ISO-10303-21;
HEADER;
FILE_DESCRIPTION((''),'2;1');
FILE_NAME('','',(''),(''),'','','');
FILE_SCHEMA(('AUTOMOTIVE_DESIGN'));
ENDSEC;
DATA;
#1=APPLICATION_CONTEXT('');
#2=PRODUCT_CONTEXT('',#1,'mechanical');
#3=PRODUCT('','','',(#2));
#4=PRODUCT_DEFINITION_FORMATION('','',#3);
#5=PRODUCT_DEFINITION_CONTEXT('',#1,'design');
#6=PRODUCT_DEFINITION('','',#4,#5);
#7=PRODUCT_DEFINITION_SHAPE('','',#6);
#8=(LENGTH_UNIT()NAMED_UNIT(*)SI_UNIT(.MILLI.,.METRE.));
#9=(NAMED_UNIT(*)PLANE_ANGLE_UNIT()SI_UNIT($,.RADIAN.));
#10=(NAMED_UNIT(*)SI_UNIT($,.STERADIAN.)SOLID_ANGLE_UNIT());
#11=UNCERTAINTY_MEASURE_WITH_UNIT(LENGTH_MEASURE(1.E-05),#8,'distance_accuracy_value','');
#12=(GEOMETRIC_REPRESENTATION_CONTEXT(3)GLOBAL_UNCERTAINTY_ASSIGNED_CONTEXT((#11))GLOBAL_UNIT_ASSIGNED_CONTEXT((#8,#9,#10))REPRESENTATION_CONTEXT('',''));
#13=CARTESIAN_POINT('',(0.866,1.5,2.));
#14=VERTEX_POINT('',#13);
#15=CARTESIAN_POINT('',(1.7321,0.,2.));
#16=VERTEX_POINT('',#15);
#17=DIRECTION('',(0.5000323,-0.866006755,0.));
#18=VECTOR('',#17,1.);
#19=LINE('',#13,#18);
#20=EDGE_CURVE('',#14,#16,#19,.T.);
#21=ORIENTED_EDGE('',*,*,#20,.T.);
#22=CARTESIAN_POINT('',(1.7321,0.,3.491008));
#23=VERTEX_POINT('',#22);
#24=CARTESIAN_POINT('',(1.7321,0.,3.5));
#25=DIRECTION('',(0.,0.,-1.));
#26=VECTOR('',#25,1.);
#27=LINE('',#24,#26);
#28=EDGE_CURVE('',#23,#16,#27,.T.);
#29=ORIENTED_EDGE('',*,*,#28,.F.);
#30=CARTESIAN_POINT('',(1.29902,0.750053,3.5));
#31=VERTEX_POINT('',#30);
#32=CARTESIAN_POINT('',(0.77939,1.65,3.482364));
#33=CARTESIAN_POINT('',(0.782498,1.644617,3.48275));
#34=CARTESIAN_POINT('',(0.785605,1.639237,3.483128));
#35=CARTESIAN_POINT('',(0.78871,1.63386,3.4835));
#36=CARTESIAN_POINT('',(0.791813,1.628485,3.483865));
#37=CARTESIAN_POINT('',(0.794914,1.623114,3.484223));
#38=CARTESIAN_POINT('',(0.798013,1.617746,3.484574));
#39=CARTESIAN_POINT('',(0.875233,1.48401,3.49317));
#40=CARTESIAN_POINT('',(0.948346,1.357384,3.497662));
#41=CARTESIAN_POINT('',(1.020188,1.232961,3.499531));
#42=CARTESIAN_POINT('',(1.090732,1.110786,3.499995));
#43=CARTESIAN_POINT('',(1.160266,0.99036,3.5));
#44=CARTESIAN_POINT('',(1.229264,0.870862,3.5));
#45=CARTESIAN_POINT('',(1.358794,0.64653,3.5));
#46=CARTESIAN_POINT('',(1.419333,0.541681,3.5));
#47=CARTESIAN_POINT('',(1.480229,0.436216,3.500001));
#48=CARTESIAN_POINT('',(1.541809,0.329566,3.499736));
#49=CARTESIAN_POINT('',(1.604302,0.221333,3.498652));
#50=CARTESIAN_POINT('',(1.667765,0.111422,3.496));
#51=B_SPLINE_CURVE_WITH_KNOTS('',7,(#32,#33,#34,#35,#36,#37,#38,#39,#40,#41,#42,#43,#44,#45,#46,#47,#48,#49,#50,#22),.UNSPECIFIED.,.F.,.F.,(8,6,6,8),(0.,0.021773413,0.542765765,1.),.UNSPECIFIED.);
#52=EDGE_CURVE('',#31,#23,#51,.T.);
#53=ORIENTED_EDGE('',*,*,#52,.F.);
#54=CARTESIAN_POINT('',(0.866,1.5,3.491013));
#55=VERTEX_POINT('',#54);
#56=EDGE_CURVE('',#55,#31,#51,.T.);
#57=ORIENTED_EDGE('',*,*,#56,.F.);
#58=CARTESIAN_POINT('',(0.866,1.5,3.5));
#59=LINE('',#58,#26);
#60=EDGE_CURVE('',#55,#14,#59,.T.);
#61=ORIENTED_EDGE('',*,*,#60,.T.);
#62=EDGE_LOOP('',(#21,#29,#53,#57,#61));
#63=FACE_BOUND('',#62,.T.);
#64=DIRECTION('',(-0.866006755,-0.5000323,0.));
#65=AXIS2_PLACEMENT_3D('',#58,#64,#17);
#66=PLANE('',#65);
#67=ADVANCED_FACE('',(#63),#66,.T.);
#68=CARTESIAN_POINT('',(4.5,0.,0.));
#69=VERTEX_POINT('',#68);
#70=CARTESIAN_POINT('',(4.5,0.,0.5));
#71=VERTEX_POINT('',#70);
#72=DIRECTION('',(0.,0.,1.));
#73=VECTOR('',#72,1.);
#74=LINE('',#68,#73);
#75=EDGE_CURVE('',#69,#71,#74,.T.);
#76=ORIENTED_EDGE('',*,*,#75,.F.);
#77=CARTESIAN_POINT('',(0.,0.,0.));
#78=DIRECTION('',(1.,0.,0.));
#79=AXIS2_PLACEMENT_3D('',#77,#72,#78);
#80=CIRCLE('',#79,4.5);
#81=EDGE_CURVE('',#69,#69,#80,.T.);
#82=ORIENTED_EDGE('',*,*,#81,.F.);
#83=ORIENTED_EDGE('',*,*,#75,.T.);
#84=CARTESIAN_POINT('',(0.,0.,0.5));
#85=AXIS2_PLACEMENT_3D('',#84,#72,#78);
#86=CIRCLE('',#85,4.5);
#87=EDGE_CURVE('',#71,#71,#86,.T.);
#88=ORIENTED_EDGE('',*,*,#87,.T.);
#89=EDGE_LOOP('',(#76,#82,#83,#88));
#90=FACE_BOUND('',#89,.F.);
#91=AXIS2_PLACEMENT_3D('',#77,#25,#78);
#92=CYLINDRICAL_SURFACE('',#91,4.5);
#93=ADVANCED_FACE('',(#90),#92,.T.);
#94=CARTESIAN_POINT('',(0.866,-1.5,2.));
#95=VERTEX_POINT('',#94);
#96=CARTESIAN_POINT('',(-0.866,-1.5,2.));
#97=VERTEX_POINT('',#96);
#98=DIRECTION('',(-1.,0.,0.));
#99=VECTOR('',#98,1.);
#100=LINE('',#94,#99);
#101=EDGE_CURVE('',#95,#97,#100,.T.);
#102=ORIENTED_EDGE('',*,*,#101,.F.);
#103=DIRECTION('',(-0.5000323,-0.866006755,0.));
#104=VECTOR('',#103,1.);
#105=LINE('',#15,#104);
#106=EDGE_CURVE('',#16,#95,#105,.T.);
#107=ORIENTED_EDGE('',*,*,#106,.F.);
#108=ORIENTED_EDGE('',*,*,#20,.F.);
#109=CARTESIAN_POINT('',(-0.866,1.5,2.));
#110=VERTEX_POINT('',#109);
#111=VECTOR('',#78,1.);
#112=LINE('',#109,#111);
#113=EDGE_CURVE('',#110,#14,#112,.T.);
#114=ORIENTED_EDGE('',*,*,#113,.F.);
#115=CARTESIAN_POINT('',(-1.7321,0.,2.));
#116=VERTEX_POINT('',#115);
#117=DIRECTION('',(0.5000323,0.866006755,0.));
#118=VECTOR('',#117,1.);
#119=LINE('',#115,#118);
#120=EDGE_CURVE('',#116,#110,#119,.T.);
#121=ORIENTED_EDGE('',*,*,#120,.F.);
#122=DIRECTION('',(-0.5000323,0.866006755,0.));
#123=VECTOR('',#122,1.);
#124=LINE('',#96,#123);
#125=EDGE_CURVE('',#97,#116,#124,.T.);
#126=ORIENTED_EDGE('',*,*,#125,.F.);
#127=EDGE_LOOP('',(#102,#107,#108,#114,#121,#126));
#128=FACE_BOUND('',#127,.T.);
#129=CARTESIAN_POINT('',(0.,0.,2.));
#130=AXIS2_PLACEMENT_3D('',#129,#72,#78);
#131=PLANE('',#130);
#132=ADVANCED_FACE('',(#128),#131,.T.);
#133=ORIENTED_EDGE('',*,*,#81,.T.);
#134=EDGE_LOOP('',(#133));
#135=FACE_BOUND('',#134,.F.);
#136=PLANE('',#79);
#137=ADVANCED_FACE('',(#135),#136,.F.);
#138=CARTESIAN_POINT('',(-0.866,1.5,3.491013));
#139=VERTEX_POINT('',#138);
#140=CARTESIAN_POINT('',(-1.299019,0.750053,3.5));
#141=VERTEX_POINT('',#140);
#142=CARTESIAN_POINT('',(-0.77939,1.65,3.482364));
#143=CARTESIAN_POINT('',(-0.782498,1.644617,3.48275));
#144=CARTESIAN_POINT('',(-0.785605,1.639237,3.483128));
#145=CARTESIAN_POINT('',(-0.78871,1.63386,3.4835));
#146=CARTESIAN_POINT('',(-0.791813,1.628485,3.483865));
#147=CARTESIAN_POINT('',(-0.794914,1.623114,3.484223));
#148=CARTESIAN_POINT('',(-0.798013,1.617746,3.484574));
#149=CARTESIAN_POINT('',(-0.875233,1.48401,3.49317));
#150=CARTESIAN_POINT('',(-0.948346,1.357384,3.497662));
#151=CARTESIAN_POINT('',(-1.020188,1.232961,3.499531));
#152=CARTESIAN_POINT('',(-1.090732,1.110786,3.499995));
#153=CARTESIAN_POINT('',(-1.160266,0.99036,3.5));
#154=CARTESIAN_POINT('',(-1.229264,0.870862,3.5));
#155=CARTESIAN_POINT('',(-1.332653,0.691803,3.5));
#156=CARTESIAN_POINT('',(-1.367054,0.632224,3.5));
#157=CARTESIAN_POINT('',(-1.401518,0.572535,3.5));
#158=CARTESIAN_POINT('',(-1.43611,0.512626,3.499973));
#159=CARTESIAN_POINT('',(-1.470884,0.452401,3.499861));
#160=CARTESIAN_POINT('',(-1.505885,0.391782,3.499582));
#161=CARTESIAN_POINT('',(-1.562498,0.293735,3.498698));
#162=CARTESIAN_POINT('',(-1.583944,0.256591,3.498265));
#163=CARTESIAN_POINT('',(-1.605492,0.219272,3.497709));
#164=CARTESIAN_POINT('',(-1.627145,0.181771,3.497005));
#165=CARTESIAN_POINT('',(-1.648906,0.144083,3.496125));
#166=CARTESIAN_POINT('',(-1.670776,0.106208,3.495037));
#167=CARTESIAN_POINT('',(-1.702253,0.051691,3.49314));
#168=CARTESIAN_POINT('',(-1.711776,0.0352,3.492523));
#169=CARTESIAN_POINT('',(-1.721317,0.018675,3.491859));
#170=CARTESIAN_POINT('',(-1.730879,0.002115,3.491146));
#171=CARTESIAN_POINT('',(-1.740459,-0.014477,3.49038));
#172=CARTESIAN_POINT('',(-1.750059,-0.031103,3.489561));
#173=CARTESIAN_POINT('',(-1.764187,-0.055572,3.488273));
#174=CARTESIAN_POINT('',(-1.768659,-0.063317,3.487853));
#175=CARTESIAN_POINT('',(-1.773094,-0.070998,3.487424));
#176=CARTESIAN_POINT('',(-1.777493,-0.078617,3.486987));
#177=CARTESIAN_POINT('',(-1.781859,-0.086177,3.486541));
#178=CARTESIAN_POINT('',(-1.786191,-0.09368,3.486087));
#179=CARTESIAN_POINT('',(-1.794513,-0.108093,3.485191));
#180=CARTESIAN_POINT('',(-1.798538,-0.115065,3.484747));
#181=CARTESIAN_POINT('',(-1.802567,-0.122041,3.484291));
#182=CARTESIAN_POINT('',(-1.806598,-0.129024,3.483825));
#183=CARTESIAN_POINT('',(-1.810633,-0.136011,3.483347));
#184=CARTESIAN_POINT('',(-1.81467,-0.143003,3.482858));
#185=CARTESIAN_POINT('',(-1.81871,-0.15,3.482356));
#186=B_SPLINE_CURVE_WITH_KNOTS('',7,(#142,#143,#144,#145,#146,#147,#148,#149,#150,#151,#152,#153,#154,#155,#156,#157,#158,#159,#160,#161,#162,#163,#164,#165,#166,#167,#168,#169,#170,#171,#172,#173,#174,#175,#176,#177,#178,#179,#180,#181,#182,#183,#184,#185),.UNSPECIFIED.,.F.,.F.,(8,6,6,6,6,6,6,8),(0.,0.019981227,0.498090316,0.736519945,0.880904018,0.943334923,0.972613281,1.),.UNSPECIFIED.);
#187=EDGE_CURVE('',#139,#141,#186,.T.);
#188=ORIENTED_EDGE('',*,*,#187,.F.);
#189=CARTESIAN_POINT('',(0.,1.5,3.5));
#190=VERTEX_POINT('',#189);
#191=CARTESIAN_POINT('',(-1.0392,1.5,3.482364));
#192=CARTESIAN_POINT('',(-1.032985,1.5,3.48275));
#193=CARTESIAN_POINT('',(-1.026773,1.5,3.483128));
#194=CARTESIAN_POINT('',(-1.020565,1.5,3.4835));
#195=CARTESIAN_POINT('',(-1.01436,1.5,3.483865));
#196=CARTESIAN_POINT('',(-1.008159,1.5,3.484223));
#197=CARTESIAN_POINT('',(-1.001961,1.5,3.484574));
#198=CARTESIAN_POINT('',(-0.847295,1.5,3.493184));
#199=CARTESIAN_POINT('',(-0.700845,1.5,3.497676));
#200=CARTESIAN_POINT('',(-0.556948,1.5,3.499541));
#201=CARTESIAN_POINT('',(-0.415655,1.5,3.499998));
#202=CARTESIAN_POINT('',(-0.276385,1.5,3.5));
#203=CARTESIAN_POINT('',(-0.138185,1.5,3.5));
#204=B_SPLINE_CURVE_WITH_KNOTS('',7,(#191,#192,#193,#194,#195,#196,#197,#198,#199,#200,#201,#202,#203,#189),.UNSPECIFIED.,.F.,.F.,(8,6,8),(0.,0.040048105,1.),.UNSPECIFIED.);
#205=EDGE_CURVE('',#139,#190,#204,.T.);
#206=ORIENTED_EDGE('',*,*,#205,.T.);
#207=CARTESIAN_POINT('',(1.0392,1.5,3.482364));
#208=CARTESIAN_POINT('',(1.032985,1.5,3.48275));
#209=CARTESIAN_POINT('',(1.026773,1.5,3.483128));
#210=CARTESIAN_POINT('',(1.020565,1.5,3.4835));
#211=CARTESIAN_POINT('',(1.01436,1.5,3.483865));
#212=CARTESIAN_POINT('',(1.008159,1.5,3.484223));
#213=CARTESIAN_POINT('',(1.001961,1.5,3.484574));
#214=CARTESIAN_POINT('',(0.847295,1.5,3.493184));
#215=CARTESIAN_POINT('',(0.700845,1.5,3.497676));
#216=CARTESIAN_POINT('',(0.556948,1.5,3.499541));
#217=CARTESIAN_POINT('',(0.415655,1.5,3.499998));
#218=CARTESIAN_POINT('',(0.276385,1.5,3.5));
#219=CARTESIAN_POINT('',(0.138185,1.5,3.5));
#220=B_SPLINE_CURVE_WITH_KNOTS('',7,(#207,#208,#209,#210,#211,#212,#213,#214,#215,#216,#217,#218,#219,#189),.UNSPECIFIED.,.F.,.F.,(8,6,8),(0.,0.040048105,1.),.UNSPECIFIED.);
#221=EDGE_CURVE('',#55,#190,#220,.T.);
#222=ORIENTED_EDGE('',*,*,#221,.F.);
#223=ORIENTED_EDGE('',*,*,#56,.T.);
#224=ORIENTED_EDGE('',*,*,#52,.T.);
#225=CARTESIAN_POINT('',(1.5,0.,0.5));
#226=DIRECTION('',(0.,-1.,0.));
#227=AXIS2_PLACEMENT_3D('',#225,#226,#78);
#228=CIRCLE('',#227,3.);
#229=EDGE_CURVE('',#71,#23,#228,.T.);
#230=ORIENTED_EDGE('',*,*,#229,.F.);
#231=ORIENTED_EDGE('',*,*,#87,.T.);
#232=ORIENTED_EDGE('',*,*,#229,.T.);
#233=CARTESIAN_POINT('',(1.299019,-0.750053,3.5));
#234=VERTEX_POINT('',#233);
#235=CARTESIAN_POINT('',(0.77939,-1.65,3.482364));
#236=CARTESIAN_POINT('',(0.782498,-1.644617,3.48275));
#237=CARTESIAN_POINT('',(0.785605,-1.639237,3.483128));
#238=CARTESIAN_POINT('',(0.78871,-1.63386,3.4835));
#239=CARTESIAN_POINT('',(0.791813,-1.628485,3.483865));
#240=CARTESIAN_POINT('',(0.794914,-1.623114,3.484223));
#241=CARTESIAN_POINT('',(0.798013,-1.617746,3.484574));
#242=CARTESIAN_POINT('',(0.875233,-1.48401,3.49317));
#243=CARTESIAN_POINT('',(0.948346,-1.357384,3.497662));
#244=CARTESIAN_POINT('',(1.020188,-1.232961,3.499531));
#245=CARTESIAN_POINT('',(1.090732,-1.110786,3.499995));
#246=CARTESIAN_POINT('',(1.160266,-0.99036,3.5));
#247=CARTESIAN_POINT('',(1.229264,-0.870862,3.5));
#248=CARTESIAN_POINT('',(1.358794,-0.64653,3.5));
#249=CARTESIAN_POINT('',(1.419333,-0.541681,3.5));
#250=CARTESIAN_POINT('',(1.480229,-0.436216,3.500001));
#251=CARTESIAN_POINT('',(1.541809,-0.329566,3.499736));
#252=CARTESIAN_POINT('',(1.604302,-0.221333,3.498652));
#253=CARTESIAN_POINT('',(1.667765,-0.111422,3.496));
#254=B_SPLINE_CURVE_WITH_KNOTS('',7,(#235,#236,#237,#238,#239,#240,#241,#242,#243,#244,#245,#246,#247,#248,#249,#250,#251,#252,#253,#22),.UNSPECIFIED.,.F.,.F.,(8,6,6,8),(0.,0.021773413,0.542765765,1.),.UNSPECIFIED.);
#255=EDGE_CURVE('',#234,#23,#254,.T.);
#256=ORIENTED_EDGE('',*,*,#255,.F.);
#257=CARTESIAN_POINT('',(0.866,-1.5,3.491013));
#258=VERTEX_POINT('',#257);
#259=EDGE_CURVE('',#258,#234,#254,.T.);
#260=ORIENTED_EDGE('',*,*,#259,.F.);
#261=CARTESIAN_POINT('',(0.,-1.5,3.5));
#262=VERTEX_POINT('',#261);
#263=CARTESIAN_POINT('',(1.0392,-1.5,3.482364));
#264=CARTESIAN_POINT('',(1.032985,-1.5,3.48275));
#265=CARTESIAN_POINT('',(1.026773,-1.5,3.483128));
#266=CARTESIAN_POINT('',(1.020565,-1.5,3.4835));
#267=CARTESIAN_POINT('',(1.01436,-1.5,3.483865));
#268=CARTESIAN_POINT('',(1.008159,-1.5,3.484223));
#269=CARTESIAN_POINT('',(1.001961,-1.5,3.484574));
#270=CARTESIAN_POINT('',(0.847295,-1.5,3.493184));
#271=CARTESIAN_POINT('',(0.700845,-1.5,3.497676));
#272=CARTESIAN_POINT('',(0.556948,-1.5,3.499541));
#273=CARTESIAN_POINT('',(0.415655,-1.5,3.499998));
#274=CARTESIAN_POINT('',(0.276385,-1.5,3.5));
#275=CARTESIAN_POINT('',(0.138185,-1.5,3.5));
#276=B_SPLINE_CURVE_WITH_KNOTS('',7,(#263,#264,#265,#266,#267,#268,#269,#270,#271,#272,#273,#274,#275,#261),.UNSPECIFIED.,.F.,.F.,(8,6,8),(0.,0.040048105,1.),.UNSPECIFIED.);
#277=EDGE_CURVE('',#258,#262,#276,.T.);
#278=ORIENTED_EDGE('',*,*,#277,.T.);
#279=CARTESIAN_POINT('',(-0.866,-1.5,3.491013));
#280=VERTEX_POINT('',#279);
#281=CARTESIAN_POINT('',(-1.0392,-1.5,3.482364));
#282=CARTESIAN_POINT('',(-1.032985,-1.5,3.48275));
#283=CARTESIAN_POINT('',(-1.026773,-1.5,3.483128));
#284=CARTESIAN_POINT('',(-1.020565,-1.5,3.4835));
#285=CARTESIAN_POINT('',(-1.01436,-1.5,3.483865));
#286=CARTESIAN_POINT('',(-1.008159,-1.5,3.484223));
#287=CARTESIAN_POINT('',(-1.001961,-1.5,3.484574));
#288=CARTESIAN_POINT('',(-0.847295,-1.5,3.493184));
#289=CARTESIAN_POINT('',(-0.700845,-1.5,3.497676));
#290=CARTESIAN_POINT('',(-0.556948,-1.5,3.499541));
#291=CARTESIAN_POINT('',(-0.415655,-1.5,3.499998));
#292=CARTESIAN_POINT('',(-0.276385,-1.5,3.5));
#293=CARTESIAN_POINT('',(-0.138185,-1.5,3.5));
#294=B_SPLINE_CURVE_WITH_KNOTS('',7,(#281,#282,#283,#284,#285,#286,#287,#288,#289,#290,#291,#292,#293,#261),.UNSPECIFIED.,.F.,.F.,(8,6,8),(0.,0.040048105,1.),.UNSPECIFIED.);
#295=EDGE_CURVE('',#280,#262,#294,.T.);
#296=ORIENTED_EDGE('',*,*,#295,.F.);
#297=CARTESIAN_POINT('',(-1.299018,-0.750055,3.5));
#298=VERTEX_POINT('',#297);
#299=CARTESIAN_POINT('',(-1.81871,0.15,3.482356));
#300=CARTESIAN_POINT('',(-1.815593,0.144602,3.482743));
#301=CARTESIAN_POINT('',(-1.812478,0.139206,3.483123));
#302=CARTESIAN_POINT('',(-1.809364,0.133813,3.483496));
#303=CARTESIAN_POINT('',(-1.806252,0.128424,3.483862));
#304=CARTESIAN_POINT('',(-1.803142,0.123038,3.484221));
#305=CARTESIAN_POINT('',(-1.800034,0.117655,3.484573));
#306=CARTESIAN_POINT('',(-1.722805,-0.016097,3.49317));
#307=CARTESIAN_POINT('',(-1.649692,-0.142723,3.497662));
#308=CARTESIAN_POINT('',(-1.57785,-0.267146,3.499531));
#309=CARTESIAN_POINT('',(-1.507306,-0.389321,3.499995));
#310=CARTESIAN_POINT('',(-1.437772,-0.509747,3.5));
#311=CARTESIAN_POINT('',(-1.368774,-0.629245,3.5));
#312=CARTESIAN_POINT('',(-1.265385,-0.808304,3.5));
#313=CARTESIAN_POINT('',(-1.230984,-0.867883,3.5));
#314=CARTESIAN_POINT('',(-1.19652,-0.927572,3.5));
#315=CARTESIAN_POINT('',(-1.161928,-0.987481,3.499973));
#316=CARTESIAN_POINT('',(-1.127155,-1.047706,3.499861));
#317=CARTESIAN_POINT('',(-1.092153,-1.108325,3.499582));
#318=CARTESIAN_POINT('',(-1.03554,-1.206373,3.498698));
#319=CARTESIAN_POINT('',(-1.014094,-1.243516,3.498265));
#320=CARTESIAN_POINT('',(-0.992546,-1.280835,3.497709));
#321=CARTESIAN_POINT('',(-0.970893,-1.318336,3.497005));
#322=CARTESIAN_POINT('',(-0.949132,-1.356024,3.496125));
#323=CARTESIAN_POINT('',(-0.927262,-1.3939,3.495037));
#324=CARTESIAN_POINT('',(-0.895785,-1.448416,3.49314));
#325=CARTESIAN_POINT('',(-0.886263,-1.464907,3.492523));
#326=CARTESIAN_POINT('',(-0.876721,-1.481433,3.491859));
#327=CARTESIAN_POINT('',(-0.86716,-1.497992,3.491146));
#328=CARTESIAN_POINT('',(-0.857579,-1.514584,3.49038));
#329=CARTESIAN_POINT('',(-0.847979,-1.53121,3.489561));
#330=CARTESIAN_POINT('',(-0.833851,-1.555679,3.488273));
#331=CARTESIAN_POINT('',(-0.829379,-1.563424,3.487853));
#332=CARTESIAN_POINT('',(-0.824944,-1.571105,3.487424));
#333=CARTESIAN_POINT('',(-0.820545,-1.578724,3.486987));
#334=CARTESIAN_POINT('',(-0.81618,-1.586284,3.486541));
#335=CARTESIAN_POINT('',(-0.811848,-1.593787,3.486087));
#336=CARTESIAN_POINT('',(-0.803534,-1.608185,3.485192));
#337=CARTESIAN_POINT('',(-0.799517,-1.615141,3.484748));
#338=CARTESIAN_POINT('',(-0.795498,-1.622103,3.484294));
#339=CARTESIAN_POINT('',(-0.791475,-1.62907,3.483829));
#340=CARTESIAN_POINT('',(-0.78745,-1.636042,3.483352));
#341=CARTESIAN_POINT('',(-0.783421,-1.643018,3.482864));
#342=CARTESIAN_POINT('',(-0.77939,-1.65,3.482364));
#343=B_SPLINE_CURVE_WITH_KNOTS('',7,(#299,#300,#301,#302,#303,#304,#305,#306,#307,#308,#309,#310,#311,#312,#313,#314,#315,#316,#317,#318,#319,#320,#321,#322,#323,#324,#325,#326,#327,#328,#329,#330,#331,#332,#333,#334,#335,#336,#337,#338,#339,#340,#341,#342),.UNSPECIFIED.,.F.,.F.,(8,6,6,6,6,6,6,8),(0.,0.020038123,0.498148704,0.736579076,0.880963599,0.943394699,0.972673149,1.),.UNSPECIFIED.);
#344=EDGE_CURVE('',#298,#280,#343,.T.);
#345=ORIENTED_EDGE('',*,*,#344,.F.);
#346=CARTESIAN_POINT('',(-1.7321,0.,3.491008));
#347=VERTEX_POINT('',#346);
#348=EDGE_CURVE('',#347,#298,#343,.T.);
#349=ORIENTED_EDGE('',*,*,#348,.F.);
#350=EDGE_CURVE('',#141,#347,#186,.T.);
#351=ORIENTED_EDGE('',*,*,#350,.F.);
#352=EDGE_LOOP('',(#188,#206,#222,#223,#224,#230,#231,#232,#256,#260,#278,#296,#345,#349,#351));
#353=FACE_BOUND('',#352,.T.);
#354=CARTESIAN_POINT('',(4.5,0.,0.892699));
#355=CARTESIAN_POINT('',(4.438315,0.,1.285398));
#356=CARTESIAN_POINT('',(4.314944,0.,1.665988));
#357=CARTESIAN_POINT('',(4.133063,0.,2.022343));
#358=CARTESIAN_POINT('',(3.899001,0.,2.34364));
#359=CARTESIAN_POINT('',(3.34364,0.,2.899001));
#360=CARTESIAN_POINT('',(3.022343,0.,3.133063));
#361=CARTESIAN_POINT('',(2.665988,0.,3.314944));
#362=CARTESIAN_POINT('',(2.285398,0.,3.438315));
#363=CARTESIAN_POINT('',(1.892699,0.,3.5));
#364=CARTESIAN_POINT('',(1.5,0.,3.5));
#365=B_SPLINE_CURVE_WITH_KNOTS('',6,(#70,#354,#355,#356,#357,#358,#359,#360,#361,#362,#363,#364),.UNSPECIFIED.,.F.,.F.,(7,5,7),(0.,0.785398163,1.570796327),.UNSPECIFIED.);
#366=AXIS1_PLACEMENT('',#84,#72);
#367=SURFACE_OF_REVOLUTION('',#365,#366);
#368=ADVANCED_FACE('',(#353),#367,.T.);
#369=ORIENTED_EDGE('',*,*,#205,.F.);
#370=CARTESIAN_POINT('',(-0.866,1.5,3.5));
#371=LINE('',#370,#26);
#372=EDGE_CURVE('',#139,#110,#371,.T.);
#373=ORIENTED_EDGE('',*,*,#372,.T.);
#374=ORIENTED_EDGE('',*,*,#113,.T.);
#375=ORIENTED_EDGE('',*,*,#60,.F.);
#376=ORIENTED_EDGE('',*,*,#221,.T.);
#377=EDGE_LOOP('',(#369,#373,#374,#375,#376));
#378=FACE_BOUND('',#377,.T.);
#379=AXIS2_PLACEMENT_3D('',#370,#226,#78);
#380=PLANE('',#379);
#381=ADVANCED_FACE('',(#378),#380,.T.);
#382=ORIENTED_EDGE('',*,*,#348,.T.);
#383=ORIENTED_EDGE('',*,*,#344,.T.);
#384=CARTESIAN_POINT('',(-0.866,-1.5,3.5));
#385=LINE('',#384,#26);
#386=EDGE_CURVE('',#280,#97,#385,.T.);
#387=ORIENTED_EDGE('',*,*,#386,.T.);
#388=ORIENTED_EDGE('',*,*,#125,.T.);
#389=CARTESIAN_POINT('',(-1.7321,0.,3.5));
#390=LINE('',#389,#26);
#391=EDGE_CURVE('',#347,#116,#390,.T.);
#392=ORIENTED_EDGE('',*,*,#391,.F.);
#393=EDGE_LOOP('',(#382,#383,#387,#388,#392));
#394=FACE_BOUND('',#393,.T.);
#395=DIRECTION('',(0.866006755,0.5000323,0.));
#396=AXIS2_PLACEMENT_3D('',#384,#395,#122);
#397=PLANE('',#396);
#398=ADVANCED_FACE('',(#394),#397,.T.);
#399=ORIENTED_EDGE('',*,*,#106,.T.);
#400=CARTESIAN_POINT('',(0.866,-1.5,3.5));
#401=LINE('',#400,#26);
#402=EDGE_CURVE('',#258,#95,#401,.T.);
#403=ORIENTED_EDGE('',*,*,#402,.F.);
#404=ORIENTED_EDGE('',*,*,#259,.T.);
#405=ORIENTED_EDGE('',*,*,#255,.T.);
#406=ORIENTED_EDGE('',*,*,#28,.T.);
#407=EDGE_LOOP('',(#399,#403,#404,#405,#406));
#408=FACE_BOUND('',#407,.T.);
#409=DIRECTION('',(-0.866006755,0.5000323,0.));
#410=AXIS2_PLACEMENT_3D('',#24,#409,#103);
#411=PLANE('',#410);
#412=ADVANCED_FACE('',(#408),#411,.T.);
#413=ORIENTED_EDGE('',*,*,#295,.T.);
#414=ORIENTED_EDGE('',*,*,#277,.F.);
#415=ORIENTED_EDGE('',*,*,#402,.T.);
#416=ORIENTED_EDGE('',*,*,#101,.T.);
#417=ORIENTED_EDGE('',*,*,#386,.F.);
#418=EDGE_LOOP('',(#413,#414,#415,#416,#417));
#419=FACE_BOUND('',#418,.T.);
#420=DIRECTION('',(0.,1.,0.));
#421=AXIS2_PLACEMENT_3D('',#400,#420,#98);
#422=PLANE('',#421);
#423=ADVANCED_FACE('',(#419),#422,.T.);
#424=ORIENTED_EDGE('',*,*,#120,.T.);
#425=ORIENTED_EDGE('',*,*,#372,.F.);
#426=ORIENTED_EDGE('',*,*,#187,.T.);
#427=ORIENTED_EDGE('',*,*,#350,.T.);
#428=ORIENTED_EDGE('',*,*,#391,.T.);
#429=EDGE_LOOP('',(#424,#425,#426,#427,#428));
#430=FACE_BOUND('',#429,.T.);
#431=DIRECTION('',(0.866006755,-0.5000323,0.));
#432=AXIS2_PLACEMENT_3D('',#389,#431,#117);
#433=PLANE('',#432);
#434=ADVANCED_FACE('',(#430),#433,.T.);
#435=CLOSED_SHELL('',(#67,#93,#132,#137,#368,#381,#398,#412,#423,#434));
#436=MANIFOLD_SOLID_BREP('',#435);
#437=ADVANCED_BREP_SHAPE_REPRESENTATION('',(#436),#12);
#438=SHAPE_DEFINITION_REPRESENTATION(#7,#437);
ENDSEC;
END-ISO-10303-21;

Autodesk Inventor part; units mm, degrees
ref_plane "YZ Plane" through (0, 0, 0) normal (1, 0, 0) x (0, 1, 0)
ref_plane "XZ Plane" through (0, 0, 0) normal (0, 1, 0) x (-1, 0, 0)
ref_plane "XY Plane" through (0, 0, 0) normal (0, 0, 1) x (1, 0, 0)
sketch "Sketch1" plane through (0, 0, 0) normal (0, 0, 1) x (1, 0, 0)
  circle A0 centre (0, 0) radius 4.5
  dimension "d0" = 9
extrude "Extrusion1" add sketch "Sketch1" along normal blind 3.5
fillet "Fillet1" radius 3 1 edges at (-4.5, 0, 3.5)
sketch "Sketch2" plane through (0, 0, 3.5) normal (0, 0, 1) x (1, 0, 0)
  line L0 (1.7321, 0) -> (0.866, -1.5)
  line L1 (0.866, -1.5) -> (-0.866, -1.5)
  line L2 (-0.866, -1.5) -> (-1.7321, 0)
  line L3 (-1.7321, 0) -> (-0.866, 1.5)
  line L4 (-0.866, 1.5) -> (0.866, 1.5)
  line L5 (0.866, 1.5) -> (1.7321, 0)
  point P0 (0, 0)
  point P1 (0, 0)
  dimension "d4" = 3
extrude "Extrusion2" cut sketch "Sketch2" against normal blind 1.5
properties part number "ENDER 3 E_PLATE_SCREW" material "Steel, High Strength, Low Alloy"
